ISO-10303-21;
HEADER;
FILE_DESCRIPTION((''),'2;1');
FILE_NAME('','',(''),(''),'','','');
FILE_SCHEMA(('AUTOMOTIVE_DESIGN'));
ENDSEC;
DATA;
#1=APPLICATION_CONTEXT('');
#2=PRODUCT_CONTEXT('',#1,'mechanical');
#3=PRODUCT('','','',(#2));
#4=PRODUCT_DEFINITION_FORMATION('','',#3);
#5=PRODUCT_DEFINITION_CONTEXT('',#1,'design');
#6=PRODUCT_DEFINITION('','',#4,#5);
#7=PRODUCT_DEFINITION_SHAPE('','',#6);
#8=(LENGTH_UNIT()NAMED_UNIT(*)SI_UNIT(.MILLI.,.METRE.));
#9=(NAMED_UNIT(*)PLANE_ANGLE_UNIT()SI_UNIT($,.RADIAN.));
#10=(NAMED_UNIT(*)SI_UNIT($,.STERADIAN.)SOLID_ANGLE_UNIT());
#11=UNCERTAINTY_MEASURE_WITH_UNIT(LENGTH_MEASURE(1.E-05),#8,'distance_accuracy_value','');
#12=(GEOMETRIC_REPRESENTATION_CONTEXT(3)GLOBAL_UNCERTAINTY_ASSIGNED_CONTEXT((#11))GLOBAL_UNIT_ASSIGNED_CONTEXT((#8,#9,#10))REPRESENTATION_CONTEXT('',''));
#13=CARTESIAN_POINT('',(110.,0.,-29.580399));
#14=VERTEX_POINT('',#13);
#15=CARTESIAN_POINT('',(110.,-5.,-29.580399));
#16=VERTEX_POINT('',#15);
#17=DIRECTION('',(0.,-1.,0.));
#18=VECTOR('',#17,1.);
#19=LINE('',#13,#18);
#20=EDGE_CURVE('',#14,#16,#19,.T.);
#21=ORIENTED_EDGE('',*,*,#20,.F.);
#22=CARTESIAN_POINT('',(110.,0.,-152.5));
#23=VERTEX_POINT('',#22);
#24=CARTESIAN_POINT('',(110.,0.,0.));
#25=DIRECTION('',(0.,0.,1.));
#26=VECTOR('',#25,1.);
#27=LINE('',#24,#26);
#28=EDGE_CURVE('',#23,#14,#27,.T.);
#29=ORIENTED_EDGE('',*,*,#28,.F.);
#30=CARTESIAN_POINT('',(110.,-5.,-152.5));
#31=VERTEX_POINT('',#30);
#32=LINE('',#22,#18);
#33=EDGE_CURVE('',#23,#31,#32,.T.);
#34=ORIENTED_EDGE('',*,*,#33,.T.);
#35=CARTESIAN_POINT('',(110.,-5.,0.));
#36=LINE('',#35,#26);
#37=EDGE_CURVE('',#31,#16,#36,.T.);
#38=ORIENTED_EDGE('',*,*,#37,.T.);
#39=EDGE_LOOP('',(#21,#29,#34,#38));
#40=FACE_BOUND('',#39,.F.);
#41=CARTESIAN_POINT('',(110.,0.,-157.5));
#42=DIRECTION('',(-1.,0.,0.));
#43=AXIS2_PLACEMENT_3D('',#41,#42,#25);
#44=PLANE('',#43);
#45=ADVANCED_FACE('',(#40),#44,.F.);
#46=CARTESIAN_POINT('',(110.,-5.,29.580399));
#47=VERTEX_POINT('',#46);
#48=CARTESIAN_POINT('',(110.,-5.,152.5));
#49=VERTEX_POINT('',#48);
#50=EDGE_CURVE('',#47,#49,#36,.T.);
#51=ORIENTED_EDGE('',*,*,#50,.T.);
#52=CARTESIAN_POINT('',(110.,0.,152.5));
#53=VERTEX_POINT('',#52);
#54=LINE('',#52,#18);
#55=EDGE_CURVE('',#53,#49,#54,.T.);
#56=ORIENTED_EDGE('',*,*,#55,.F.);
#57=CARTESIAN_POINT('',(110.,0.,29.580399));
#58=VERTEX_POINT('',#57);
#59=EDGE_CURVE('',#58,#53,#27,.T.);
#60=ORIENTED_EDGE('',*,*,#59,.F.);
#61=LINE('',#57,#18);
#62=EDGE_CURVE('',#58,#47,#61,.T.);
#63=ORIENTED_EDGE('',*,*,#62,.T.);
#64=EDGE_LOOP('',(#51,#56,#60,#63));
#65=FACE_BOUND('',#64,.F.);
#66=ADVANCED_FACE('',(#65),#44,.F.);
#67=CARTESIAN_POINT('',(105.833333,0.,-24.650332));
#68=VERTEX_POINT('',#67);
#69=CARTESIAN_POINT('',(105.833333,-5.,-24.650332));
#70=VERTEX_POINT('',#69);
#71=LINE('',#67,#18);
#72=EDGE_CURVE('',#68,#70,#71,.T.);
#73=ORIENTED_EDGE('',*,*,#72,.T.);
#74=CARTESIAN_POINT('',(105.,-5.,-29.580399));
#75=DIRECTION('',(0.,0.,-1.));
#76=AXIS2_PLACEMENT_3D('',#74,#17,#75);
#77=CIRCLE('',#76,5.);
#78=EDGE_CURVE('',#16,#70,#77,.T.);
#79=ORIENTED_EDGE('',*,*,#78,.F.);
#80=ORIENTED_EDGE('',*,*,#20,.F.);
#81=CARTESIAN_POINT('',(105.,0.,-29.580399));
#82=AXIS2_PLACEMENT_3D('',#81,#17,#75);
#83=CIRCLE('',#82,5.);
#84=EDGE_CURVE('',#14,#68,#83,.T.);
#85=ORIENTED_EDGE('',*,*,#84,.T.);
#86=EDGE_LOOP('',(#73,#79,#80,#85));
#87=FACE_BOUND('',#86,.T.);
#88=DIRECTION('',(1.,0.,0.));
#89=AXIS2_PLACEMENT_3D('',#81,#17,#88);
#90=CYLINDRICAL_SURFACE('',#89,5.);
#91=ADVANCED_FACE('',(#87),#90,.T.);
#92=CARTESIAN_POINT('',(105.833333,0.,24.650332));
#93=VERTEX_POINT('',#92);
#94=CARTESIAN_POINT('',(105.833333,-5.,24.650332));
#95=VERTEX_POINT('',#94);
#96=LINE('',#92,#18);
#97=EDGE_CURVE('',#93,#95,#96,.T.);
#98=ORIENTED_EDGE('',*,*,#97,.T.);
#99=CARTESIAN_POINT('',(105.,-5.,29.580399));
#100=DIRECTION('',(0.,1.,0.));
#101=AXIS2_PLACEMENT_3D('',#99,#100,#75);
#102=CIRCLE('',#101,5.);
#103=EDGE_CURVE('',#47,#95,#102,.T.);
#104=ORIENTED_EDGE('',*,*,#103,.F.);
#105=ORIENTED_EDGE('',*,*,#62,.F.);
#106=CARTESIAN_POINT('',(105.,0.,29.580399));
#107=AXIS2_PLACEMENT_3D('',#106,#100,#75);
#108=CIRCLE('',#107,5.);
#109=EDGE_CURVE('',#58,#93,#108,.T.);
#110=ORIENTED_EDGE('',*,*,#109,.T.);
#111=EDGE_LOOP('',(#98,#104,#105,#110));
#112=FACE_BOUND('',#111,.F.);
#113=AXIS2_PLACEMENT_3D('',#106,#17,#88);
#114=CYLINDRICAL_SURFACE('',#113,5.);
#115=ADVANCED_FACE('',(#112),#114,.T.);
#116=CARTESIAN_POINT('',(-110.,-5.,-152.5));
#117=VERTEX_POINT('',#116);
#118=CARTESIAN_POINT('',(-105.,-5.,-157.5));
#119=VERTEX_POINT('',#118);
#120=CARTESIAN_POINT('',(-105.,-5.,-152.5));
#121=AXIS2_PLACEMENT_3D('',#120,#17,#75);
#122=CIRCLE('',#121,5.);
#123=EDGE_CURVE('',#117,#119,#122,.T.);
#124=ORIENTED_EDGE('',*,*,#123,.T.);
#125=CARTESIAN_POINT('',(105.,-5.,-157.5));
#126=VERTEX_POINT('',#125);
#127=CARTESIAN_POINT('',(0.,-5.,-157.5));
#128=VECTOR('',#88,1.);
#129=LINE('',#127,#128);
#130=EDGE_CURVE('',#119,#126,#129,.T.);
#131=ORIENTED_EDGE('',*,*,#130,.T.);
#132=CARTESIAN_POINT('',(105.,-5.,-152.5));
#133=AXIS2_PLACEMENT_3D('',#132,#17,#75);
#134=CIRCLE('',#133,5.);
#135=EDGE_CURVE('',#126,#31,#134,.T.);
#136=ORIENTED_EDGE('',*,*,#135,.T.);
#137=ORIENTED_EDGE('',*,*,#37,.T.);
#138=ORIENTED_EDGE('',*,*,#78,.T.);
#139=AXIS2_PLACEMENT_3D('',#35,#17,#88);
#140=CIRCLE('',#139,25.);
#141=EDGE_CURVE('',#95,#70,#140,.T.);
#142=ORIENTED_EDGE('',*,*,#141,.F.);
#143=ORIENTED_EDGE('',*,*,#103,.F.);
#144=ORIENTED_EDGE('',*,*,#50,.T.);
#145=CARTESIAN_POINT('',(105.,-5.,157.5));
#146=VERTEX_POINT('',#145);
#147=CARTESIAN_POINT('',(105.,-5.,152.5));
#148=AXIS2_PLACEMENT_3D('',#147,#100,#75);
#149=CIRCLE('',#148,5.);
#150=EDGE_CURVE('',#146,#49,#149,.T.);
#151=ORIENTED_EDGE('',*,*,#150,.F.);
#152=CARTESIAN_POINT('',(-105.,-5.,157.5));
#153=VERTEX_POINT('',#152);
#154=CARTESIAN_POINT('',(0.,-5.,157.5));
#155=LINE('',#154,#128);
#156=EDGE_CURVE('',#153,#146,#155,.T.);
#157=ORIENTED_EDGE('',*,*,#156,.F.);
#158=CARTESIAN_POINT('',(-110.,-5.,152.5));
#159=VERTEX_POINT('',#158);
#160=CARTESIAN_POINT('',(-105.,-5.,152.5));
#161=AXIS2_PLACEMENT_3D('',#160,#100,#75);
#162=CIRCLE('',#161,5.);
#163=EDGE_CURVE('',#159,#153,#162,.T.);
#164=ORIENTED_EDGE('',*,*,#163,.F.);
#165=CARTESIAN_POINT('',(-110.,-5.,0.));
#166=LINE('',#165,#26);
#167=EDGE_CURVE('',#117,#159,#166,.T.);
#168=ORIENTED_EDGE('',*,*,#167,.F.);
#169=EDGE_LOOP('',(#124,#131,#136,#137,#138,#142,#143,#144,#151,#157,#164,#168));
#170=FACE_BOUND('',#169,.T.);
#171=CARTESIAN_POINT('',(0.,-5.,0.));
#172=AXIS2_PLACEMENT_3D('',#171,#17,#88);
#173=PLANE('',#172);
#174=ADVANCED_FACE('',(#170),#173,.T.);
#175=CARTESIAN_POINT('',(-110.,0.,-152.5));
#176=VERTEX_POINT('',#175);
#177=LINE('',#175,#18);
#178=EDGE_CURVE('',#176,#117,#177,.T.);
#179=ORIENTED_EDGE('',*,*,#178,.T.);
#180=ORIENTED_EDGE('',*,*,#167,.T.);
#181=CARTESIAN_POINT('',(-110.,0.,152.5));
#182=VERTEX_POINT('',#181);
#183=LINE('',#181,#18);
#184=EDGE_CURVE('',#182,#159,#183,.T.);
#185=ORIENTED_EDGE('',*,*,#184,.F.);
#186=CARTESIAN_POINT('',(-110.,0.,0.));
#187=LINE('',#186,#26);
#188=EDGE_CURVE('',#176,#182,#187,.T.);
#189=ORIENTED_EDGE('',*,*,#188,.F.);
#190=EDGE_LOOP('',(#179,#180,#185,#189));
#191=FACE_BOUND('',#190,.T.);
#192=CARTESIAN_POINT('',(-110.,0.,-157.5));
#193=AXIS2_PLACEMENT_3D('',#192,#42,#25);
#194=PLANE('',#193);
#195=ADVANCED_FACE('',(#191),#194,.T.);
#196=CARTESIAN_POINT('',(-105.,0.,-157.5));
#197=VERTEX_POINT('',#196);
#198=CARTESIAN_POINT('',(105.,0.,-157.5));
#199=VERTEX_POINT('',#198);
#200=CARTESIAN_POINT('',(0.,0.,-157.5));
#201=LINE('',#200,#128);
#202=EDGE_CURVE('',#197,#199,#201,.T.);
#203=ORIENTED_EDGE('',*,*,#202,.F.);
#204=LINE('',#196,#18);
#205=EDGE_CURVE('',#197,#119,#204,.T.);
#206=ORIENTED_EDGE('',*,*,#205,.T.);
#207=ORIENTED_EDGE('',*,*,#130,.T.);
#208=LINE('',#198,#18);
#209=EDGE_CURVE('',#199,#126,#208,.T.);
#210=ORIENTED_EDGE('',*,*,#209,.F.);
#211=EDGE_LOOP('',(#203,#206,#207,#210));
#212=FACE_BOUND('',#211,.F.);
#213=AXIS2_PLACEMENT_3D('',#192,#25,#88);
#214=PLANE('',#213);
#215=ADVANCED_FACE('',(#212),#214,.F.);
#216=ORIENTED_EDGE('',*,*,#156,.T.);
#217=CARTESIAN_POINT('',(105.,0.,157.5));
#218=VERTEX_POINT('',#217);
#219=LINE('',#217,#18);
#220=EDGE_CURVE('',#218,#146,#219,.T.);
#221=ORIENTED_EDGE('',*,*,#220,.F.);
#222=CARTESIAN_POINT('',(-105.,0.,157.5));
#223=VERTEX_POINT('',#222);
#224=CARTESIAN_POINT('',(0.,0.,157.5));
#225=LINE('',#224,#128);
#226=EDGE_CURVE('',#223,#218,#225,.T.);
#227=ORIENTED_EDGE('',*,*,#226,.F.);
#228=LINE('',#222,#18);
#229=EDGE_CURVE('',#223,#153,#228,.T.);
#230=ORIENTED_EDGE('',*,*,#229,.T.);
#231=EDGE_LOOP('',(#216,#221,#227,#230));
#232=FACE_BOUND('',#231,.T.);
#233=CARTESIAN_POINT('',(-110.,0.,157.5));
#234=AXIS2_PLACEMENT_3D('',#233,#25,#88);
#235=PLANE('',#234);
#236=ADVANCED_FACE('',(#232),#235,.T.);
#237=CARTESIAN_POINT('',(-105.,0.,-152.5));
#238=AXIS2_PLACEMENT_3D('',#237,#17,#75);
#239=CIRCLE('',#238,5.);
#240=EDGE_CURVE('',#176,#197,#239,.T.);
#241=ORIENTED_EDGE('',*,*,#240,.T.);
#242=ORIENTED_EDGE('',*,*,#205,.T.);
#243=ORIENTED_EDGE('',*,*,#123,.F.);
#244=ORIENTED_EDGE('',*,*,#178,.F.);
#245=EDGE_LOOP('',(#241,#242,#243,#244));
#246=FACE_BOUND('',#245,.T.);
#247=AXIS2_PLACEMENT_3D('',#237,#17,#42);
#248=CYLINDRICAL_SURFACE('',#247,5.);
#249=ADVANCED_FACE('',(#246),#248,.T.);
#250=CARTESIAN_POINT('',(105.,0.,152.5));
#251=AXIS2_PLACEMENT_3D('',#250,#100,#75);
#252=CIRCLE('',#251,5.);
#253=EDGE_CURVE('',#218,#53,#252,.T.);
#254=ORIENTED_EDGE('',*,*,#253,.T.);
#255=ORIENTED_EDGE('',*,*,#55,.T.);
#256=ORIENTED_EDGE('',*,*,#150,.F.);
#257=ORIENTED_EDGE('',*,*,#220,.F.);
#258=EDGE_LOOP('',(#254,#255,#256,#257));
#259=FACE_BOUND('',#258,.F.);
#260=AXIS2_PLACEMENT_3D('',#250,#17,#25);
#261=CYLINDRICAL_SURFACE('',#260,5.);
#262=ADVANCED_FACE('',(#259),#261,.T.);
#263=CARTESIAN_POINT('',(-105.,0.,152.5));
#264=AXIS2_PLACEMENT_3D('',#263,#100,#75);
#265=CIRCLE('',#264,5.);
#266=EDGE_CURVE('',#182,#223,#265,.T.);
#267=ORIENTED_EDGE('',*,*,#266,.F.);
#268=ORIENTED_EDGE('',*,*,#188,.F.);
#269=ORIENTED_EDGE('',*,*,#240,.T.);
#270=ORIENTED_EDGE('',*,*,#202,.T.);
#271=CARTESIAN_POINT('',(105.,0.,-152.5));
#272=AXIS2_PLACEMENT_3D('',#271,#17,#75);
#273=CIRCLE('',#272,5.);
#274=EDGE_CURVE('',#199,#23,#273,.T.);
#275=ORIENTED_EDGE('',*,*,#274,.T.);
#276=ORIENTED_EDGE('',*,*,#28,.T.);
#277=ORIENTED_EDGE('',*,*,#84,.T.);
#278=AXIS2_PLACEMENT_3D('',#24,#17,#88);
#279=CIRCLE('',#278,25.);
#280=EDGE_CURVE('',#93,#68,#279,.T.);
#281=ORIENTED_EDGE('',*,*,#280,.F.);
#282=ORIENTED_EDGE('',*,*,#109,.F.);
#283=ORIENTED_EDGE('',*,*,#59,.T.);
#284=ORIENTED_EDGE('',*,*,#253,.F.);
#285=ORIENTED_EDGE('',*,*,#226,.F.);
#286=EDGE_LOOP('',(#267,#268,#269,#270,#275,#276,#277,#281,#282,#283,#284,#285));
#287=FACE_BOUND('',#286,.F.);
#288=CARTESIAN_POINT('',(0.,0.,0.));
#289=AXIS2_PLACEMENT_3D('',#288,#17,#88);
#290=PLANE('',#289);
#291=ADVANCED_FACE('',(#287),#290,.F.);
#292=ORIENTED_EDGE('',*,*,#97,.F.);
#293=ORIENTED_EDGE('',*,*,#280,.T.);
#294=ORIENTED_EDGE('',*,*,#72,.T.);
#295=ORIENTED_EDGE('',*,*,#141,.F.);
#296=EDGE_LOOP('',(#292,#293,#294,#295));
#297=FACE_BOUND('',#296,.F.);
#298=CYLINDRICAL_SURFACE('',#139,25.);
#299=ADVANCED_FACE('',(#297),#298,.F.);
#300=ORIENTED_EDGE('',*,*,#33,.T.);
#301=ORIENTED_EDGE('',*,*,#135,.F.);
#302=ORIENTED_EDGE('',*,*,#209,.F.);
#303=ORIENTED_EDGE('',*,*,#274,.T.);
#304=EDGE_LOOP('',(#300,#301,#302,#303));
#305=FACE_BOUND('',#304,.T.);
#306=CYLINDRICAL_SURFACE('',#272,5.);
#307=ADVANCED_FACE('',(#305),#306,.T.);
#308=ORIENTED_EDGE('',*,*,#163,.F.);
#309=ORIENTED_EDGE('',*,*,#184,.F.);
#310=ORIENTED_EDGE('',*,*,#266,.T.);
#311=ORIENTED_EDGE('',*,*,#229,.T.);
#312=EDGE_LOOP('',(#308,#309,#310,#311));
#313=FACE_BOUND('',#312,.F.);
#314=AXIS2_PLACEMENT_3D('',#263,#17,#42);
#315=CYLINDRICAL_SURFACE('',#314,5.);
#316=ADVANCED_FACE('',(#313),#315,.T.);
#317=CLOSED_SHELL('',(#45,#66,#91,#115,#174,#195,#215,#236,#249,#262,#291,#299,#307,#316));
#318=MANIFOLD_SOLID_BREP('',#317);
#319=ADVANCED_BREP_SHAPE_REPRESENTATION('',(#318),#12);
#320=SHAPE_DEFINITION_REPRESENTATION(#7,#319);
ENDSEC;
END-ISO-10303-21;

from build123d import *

# Parameters (mm, degrees)
F0_W     = 220
F0_H     = 315
F1_DEPTH = 5
F2_R     = 25
F3_DEPTH = 25
F4_R     = 5


with BuildPart() as f1:
    # F0 (on Front) → F1 (new body)
    with BuildSketch(Plane.XZ):
        Rectangle(F0_W, F0_H)
    extrude(amount=F1_DEPTH)

    # F2 (on face) → F3 (cut)
    with BuildSketch(Plane.XZ.offset(5)):
        with Locations((110, 0)):
            Circle(F2_R)
    extrude(amount=-F3_DEPTH, mode=Mode.SUBTRACT)

    # F4
    f4_edges = [f1.edges().sort_by_distance(p)[0] for p in [
        (110, -2.5, -25),
        (110, -2.5, 25),
        (110, -2.5, 157.5),
        (-110, -2.5, 157.5),
        (-110, -2.5, -157.5),
        (110, -2.5, -157.5),
    ]]
    fillet(f4_edges, radius=F4_R)


solid = f1.part
